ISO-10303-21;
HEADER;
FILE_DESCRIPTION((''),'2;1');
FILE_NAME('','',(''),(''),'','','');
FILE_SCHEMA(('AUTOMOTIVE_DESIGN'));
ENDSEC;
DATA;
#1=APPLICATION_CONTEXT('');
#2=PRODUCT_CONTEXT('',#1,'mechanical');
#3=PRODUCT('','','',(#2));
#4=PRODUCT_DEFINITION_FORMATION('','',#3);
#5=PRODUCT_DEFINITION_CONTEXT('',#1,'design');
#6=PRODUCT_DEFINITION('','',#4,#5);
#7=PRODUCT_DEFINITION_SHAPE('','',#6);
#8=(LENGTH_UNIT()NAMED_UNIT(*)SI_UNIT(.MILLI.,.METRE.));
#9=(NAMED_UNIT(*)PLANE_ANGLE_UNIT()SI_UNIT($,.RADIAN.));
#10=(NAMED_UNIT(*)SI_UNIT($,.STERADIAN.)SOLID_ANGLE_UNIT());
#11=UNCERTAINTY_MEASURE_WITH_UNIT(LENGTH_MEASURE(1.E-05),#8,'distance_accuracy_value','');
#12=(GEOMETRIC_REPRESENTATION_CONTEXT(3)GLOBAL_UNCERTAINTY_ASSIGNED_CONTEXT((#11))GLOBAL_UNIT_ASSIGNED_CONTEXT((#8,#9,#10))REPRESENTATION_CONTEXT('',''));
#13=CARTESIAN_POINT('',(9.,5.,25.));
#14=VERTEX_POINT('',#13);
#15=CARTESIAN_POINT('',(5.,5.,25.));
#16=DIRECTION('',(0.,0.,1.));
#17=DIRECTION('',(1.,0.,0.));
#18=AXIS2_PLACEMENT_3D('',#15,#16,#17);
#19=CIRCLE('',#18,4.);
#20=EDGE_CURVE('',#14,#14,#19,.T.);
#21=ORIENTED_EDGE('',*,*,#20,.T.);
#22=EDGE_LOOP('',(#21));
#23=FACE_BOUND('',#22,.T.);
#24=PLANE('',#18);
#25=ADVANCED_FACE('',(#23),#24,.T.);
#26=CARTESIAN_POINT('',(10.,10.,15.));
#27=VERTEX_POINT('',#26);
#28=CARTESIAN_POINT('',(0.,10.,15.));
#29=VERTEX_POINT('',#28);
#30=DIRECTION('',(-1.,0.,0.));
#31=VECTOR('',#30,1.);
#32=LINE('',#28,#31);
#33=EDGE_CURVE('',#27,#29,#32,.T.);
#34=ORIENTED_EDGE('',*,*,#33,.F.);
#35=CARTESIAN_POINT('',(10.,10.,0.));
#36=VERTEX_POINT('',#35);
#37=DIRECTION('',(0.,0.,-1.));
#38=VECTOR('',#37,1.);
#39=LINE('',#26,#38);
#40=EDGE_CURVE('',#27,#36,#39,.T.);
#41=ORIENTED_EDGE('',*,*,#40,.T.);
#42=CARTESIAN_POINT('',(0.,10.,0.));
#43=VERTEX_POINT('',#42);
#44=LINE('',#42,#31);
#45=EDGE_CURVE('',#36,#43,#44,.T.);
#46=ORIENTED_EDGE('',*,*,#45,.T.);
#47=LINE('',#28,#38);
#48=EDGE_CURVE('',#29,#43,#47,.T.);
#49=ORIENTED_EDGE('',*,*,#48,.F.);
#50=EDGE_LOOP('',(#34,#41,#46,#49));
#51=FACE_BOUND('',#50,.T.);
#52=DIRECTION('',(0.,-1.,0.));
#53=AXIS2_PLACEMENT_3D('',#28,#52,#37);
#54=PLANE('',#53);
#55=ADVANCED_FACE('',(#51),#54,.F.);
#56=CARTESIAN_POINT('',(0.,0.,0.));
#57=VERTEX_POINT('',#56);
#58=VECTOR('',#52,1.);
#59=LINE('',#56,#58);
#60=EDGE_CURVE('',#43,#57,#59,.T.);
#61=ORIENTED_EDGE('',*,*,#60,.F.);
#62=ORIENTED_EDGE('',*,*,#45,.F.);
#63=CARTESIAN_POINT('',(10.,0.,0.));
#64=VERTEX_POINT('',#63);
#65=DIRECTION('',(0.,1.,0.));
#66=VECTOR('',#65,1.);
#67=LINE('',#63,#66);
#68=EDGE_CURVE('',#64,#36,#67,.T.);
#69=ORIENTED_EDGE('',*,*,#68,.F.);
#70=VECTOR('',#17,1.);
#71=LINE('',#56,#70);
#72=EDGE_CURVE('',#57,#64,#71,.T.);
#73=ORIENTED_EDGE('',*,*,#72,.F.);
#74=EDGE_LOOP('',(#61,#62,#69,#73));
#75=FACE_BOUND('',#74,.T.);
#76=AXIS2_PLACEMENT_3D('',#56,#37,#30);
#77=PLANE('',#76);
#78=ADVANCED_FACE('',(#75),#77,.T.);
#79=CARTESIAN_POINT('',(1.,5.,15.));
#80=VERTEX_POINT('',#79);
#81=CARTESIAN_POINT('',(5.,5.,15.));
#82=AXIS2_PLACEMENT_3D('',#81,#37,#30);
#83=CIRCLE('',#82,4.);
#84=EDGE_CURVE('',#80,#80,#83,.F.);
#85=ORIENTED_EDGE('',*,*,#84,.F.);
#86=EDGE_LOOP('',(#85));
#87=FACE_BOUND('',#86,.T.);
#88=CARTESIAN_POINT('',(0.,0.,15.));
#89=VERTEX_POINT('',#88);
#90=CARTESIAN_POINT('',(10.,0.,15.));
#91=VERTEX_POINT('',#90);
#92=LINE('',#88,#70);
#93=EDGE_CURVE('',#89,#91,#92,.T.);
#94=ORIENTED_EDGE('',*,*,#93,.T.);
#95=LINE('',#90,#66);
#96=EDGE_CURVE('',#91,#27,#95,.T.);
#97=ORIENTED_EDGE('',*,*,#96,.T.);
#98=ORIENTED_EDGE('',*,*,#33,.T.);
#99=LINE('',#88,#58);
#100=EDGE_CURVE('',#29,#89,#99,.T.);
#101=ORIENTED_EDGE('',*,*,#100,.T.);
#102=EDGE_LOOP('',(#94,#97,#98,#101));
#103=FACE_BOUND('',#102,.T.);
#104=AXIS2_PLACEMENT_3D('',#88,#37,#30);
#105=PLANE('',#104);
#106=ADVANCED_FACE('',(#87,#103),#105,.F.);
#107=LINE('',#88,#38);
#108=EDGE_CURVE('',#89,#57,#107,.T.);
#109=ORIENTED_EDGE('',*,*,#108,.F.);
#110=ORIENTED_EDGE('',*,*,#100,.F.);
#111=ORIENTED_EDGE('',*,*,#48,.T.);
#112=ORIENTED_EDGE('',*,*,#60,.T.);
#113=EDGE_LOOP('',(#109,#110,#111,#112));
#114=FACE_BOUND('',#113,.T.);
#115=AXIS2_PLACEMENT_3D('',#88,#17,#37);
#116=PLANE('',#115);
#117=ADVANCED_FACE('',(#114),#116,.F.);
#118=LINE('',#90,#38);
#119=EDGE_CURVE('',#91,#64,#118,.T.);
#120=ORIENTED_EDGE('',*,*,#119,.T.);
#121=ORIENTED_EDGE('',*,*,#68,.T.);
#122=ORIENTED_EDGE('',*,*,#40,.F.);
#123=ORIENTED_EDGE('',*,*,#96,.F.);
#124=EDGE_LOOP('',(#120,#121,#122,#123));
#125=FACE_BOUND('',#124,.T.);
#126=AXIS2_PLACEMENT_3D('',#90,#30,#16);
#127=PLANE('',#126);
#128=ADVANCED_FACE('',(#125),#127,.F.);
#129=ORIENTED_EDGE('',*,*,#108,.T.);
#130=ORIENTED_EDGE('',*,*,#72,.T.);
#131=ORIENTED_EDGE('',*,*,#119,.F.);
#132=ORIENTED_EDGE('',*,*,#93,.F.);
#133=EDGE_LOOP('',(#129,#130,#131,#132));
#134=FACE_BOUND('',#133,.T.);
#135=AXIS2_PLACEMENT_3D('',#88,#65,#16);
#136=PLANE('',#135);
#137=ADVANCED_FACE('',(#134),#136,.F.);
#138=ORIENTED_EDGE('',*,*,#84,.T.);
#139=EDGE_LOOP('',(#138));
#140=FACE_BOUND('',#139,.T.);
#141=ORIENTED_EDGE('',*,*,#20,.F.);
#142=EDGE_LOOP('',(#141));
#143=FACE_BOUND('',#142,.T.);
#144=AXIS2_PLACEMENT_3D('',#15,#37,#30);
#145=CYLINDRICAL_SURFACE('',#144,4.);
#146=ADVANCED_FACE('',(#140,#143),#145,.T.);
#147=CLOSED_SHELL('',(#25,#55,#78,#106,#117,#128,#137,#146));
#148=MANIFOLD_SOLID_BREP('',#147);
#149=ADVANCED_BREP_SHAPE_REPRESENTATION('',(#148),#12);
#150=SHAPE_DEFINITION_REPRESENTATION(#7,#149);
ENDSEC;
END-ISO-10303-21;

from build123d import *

# Parameters (mm, degrees)
SKETCH_3_W      = 10
SKETCH_3_H      = 10
EXTRUDE_3_DEPTH = 15
SKETCH_4_R      = 4
EXTRUDE_4_DEPTH = 10


with BuildPart() as part:
    # ｽｹｯﾁ3 → ﾎﾞｽ - 押し出し3 (new body)
    with BuildSketch(Plane.XY):
        with Locations((5, 5)):
            Rectangle(SKETCH_3_W, SKETCH_3_H)
    extrude(amount=EXTRUDE_3_DEPTH)

    # ｽｹｯﾁ4 → ﾎﾞｽ - 押し出し4 (add)
    with BuildSketch(Plane.XY.offset(15)):
        with Locations(Location((5, 5, 0), (0, 0, 180))):
            Circle(SKETCH_4_R)
    extrude(amount=EXTRUDE_4_DEPTH)


solid = part.part
